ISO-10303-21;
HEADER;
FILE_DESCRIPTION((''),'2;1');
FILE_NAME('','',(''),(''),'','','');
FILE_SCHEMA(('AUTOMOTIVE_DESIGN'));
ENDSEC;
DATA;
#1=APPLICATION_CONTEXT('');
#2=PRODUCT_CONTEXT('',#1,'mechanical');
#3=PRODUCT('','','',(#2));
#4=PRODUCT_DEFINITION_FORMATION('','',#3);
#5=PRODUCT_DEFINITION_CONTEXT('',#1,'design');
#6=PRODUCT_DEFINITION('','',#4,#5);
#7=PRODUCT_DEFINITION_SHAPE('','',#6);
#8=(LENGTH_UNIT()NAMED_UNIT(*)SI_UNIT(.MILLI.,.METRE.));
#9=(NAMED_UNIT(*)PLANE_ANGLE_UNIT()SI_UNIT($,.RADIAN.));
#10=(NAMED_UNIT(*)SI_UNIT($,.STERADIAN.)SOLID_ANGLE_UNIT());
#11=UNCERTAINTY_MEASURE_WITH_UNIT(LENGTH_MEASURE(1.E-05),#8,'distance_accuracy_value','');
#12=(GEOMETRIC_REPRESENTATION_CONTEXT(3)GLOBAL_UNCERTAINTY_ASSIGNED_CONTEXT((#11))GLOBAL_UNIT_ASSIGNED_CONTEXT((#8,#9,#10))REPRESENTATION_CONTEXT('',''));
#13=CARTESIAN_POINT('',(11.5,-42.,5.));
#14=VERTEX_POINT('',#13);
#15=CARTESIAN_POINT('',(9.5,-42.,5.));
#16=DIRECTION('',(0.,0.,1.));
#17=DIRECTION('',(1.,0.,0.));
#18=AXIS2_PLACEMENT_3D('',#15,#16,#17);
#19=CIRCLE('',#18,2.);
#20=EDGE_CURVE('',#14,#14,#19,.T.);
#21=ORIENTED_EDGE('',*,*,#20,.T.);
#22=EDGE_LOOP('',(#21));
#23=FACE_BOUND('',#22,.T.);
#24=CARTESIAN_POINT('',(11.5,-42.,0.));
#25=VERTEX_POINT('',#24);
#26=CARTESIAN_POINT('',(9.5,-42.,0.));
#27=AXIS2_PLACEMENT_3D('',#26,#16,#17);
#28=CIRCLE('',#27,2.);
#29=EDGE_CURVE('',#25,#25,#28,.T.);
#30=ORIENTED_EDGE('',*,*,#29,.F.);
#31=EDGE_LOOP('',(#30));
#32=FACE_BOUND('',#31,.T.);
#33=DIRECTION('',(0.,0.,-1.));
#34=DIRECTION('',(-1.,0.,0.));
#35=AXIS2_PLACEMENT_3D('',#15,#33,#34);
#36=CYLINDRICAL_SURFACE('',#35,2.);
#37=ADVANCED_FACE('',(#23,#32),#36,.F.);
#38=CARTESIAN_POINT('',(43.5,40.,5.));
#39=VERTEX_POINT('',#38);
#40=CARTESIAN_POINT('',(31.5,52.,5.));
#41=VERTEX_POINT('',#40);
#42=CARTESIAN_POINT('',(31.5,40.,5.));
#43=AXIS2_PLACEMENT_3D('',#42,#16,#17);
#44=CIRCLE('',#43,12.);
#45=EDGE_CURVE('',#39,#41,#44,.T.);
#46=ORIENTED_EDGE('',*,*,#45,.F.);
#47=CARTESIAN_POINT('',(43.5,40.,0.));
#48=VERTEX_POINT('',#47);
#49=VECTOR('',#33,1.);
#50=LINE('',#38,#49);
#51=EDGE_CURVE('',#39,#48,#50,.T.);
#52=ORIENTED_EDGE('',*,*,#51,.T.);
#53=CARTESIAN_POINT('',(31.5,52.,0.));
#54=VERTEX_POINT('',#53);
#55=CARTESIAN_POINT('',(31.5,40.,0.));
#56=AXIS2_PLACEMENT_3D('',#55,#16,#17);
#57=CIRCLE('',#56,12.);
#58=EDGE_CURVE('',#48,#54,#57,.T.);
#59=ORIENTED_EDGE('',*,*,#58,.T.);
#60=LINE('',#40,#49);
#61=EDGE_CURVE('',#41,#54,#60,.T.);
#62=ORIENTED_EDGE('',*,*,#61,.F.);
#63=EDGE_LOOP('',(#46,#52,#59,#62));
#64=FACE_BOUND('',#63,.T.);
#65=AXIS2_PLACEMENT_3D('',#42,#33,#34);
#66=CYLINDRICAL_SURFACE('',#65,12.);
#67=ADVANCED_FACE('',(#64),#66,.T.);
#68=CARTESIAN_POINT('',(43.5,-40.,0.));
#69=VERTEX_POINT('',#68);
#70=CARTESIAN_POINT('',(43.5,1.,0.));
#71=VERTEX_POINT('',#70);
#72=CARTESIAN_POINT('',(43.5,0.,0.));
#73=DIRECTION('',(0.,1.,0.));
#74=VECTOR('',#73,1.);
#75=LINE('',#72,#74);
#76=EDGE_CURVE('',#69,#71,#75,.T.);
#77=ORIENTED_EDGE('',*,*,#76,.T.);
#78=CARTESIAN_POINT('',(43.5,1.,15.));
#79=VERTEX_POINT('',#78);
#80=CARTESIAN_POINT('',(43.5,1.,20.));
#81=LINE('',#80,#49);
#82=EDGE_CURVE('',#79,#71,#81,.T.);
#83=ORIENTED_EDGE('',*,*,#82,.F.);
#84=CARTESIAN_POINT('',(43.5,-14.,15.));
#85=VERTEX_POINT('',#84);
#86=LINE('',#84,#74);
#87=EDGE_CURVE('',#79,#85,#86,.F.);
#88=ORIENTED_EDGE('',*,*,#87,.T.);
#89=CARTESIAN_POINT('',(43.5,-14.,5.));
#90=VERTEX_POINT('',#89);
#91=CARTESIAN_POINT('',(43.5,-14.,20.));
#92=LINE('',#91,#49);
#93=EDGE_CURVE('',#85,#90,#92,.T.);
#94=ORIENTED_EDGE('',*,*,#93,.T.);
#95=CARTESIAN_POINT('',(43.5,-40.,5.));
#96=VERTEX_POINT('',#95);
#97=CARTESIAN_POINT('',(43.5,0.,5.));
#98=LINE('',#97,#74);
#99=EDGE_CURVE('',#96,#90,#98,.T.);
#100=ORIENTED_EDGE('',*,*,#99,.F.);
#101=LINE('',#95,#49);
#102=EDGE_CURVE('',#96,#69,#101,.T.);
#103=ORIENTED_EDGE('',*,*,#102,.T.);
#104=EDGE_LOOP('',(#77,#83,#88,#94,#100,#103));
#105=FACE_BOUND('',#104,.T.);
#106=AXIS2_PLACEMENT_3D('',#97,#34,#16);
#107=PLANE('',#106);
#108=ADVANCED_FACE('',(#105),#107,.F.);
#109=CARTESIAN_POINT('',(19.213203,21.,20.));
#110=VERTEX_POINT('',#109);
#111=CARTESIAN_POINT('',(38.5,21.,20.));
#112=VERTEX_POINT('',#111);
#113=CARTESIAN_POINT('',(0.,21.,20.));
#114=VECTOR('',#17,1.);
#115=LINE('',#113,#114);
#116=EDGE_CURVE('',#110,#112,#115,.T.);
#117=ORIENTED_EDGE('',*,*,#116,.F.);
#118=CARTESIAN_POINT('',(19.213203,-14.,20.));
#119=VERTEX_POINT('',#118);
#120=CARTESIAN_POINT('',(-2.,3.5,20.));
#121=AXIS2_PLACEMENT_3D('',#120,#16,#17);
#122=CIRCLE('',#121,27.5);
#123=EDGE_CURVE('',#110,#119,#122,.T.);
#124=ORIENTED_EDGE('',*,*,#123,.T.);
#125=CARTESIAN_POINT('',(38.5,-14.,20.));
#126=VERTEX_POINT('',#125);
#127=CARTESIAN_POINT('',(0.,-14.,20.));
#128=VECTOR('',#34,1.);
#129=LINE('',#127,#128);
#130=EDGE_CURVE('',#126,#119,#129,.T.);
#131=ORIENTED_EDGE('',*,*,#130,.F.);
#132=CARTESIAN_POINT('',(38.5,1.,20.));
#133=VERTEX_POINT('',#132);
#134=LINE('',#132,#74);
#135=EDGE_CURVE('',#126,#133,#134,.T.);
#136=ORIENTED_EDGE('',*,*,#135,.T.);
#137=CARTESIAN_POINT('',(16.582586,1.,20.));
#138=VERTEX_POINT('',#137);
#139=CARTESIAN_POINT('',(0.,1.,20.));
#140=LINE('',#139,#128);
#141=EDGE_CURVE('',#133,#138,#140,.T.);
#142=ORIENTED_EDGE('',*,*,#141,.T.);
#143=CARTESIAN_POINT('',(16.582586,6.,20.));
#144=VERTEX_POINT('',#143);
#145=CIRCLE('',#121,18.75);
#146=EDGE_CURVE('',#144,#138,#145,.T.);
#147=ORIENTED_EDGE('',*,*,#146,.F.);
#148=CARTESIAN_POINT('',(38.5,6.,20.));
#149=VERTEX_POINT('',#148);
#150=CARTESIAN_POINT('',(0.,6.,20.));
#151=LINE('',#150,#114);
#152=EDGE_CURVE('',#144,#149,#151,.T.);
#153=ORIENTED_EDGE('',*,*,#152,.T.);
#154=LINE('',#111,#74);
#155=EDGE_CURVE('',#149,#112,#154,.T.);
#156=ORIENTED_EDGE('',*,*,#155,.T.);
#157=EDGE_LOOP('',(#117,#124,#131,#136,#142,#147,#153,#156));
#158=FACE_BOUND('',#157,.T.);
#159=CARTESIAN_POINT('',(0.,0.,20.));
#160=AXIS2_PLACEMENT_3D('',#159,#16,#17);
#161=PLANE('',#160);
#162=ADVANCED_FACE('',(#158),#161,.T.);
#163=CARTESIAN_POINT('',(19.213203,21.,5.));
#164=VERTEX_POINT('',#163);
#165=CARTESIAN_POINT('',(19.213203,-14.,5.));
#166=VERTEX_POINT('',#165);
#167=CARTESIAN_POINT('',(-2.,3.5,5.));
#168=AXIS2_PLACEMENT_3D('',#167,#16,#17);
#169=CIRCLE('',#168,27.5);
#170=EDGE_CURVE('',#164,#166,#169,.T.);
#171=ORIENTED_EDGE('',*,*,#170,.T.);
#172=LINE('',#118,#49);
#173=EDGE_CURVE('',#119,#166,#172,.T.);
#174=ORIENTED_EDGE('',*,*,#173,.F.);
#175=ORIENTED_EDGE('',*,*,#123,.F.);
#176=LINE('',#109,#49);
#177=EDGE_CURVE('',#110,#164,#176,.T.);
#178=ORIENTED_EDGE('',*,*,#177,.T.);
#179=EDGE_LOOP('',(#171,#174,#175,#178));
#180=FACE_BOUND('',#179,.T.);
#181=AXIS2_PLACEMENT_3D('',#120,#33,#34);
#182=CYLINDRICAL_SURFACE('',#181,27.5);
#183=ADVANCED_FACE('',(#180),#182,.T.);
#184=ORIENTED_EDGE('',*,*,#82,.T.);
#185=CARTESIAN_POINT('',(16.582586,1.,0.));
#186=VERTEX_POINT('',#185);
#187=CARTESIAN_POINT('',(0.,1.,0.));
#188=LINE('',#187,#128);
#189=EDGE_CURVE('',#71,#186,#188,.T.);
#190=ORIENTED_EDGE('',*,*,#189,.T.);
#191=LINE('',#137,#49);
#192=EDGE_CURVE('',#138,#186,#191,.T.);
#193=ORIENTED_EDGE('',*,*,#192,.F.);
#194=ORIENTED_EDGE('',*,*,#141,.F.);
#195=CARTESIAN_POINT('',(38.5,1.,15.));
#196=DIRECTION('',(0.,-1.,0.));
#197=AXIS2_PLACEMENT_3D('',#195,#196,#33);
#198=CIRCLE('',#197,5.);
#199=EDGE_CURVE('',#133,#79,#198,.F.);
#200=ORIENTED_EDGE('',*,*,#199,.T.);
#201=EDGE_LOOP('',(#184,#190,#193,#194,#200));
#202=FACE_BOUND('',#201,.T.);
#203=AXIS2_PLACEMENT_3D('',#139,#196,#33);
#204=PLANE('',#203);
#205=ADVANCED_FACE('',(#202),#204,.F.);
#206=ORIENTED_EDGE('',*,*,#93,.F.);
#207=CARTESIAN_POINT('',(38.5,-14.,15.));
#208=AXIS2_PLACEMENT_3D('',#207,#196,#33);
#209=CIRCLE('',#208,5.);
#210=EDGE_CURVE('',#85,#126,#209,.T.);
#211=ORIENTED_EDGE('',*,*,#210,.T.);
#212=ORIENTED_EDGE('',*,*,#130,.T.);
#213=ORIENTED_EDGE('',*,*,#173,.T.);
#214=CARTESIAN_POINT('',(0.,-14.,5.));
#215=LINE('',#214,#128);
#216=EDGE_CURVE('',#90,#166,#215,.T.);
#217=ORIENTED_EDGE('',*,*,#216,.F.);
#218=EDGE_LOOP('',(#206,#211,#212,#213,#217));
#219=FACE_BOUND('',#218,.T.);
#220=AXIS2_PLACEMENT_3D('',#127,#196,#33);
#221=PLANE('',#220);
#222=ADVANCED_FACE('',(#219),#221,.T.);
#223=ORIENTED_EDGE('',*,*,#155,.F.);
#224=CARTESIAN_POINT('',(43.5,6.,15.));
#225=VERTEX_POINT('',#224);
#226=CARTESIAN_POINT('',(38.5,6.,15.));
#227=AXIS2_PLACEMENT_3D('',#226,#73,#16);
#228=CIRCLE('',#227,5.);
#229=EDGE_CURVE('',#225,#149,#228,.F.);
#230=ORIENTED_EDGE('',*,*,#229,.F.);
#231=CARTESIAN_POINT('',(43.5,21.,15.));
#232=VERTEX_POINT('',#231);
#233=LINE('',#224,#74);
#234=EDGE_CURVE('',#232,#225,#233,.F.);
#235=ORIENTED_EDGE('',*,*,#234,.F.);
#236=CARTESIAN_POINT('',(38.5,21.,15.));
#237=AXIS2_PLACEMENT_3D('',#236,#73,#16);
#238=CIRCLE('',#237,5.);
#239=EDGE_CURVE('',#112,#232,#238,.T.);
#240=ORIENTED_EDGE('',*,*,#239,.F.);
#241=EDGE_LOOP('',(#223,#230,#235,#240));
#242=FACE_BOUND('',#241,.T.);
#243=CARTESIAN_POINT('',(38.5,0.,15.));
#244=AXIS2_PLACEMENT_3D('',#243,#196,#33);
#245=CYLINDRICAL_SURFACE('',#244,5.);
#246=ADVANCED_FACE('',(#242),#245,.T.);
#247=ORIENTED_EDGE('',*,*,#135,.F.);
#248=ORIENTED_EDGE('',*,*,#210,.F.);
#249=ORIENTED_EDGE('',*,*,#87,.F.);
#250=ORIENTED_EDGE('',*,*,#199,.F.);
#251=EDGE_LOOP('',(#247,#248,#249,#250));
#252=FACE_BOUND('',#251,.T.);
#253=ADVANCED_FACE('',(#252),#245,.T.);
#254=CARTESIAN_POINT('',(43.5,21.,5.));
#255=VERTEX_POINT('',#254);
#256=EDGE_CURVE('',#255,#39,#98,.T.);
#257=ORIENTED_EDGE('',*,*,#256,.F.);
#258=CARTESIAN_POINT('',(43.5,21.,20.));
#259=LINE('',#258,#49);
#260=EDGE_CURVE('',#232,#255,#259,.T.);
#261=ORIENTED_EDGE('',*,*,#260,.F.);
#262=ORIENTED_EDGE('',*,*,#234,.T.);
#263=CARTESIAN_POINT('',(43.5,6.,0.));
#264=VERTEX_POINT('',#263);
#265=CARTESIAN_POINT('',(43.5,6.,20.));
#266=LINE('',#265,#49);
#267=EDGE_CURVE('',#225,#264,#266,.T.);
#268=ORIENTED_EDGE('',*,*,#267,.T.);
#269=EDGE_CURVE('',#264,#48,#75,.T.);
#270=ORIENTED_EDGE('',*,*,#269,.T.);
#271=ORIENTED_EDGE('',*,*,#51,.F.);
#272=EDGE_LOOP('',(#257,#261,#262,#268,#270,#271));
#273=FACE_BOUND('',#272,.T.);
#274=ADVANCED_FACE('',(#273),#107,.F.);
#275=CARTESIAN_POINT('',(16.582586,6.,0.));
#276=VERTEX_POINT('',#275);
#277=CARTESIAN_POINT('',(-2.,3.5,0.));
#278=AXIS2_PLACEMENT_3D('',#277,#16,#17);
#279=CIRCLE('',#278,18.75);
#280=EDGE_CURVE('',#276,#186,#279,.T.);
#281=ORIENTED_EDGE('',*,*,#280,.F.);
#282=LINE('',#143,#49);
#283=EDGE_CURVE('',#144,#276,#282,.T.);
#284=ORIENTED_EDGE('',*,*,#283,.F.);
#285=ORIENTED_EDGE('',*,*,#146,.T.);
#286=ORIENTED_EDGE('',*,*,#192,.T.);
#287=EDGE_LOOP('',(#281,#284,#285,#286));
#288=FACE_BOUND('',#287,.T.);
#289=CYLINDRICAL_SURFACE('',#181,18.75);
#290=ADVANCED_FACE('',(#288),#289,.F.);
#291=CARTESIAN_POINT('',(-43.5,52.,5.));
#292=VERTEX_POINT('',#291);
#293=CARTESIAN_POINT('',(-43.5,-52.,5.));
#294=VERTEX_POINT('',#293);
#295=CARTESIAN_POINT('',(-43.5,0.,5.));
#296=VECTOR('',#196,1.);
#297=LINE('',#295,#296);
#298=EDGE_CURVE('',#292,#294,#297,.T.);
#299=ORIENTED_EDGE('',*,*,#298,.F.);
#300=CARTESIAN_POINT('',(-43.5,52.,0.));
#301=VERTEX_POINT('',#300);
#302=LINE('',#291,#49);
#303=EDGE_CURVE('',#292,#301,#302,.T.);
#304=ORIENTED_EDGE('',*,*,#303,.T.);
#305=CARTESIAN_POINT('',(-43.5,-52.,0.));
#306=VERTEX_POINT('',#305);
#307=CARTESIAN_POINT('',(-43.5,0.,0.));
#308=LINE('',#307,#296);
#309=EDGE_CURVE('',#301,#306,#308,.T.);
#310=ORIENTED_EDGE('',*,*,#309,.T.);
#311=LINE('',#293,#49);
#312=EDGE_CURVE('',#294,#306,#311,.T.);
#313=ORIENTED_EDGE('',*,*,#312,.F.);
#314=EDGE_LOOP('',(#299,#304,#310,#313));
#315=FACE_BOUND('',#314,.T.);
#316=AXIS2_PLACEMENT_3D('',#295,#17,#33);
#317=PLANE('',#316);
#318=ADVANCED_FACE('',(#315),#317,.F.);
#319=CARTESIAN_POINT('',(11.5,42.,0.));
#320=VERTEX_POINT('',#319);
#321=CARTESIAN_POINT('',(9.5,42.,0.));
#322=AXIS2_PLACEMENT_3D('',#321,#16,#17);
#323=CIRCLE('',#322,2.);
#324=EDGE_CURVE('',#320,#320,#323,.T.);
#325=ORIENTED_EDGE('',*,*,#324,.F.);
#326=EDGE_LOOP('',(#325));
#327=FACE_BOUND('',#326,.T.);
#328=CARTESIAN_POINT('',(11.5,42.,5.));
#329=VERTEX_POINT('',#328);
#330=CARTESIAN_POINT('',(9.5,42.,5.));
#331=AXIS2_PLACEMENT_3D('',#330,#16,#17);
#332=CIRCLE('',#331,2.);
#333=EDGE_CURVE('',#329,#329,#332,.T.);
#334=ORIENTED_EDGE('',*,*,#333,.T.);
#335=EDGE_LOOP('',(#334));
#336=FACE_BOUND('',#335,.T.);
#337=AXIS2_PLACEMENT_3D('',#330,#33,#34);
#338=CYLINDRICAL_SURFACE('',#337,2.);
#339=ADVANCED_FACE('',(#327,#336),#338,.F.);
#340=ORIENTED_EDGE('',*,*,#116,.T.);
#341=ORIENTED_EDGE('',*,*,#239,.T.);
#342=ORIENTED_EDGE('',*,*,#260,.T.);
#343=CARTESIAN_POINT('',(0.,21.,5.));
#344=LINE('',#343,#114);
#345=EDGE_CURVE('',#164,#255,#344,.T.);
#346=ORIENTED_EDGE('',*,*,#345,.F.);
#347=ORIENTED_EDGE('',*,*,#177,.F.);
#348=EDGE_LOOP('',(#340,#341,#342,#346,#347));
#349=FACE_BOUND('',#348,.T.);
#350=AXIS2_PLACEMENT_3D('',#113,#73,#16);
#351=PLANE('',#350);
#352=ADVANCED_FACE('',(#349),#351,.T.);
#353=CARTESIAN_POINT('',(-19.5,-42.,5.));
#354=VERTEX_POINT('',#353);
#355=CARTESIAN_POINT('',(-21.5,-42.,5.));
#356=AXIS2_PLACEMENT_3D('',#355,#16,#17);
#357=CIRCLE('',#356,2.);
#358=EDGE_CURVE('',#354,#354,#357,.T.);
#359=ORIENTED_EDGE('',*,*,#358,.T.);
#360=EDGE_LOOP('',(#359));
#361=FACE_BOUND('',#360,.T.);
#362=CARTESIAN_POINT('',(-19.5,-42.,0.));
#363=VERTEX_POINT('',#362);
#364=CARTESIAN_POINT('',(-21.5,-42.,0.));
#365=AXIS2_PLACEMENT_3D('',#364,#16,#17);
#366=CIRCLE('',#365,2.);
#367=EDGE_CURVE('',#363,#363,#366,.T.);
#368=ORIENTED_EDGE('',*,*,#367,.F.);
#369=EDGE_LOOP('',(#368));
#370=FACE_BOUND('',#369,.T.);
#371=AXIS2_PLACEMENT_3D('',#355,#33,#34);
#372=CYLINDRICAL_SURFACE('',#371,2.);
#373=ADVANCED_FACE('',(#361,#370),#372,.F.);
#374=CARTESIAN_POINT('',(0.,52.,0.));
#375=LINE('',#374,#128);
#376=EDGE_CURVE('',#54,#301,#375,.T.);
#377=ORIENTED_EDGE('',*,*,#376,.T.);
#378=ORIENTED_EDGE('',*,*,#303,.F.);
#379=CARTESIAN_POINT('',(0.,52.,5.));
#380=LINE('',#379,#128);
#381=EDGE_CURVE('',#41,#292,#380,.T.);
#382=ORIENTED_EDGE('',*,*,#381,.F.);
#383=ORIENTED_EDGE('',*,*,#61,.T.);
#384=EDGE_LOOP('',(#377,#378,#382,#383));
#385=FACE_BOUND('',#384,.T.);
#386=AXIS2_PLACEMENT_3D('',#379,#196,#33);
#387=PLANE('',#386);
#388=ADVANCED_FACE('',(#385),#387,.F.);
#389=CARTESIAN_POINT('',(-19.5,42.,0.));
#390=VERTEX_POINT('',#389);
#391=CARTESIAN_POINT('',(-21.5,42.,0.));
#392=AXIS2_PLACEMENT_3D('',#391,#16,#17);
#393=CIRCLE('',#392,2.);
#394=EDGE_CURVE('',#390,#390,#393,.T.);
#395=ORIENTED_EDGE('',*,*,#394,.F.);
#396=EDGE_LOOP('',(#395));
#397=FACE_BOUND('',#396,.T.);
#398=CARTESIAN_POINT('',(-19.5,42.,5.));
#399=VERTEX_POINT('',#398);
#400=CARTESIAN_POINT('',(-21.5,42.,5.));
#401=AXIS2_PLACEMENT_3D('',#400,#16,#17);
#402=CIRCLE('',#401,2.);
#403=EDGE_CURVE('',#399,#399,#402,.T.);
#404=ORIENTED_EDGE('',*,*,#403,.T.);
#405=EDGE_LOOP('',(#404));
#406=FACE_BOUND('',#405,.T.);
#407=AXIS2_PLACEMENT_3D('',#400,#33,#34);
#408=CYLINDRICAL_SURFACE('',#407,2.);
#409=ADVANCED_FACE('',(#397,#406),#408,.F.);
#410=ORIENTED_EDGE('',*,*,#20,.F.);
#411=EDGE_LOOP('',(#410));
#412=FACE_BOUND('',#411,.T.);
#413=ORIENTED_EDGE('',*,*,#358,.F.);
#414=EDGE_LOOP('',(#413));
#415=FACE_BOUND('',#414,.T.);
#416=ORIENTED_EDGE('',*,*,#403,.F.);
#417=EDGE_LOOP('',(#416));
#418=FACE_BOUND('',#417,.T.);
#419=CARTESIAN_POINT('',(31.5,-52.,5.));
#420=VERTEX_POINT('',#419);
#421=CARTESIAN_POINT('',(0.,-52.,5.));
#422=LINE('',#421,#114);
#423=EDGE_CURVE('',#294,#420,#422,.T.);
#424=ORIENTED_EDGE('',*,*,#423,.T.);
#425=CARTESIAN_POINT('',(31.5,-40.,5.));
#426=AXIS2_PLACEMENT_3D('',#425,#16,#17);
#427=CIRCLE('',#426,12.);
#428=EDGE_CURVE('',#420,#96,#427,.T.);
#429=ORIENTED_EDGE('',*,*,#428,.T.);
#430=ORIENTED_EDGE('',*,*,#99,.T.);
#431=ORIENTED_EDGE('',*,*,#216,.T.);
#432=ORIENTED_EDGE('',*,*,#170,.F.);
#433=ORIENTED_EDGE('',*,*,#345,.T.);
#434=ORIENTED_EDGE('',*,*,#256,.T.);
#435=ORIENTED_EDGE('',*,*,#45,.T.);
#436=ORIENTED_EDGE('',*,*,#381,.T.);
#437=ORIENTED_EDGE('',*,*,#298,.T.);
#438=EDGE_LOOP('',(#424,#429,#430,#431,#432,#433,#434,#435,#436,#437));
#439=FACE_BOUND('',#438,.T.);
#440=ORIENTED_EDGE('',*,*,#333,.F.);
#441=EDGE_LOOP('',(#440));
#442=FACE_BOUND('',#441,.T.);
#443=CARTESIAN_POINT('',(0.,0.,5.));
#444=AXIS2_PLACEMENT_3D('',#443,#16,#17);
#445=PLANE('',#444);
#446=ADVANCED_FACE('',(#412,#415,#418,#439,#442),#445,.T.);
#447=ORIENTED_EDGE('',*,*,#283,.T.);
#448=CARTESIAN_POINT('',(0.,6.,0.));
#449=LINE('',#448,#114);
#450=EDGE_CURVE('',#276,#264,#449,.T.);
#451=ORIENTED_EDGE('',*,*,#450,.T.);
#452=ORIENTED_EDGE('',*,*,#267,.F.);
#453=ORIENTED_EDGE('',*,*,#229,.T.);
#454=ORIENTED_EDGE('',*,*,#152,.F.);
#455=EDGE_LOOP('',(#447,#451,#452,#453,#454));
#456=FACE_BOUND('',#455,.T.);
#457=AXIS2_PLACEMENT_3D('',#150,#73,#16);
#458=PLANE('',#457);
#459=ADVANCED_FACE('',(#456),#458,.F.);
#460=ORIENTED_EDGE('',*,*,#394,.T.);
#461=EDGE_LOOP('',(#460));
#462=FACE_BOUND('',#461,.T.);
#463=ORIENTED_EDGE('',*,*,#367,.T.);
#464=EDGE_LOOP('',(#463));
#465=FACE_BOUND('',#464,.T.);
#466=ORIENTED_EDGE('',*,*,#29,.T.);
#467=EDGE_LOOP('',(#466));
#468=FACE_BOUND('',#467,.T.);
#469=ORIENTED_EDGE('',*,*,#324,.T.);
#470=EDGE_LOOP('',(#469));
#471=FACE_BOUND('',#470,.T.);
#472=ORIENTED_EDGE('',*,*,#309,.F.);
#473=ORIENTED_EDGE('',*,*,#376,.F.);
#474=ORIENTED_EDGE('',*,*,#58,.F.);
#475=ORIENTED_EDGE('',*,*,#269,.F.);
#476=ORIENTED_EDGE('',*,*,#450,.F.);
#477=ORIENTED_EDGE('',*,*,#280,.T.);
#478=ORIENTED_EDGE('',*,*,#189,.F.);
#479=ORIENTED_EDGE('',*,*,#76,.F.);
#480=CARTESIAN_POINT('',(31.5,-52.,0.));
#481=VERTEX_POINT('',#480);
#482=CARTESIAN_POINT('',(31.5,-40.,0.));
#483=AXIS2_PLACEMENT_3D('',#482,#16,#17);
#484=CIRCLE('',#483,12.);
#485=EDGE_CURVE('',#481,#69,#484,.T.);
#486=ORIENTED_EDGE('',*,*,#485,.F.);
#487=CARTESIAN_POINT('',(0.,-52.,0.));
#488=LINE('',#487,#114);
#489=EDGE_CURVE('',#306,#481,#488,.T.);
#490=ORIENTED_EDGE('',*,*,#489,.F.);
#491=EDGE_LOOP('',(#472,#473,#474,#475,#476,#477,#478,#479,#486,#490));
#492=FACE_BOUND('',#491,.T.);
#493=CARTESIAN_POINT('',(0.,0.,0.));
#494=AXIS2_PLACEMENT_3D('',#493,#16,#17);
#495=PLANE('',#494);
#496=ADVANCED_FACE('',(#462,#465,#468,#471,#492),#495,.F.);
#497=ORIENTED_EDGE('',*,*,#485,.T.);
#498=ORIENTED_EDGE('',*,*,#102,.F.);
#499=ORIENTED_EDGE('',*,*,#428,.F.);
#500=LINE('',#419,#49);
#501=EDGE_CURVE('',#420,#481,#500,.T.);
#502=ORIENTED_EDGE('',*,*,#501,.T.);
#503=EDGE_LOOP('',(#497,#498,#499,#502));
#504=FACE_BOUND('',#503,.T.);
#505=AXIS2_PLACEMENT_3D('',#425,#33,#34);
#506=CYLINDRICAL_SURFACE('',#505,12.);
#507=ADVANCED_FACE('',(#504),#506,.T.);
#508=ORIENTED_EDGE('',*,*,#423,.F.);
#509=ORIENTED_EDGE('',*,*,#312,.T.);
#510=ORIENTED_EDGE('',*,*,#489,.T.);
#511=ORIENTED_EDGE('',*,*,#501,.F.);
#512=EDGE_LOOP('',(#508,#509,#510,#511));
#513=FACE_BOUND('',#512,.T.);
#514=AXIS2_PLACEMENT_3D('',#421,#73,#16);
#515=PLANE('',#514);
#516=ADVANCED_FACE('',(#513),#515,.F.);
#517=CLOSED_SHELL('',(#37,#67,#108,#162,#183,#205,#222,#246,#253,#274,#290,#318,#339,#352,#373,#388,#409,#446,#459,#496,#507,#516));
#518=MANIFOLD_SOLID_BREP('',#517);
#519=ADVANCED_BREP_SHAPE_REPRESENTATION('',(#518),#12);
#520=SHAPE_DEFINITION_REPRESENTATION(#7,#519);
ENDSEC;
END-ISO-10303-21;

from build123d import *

# Parameters (mm, degrees)
SKETCH1_R           = 2
BOSS_EXTRUDE1_DEPTH = 5
BOSS_EXTRUDE2_DEPTH = 20
FILLET1_R           = 5


with BuildPart() as part:
    # Sketch1 → Boss-Extrude1 (new body)
    with BuildSketch(Plane.XY):
        with BuildLine():
            ThreePointArc((43.5, 40), (39.985281374, 48.485281374), (31.5, 52))
            Line((31.5, 52), (-43.5, 52))
            Line((-43.5, 52), (-43.5, -52))
            Line((-43.5, -52), (31.5, -52))
            ThreePointArc((31.5, -52), (39.985281374, -48.485281374), (43.5, -40))
            Line((43.5, -40), (43.5, -14.000000209))
            Line((43.5, -14.000000209), (39.5, -14.000000209))
            Line((39.5, -14.000000209), (19.213203263, -14.000000209))
            ThreePointArc((19.213203263, -14.000000209), (-29.5, 3.499999932), (19.213203177, 21.000000313))
            Line((19.213203177, 21.000000313), (39.5, 21.000000313))
            Line((39.5, 21.000000313), (43.5, 21.000000313))
            Line((43.5, 21.000000313), (43.5, 40))
        make_face()
        with Locations((-21.5, -42)):
            Circle(SKETCH1_R, mode=Mode.SUBTRACT)
        with Locations((9.5, -42)):
            Circle(SKETCH1_R, mode=Mode.SUBTRACT)
        with Locations((-21.5, 42)):
            Circle(SKETCH1_R, mode=Mode.SUBTRACT)
        with Locations((9.5, 42)):
            Circle(SKETCH1_R, mode=Mode.SUBTRACT)
    extrude(amount=BOSS_EXTRUDE1_DEPTH)

    # Sketch1<3> → Boss-Extrude2 (add)
    with BuildSketch(Plane.XY):
        with BuildLine():
            Line((43.5, 6), (43.5, 21.000000313))
            Line((43.5, 21.000000313), (39.5, 21.000000313))
            Line((39.5, 21.000000313), (19.213203177, 21.000000313))
            ThreePointArc((19.213203177, 21.000000313), (-29.5, 3.499999932), (19.213203263, -14.000000209))
            Line((19.213203263, -14.000000209), (39.5, -14.000000209))
            Line((39.5, -14.000000209), (43.5, -14.000000209))
            Line((43.5, -14.000000209), (43.5, 1))
            Line((43.5, 1), (39.5, 1))
            Line((39.5, 1), (16.582585934, 1))
            ThreePointArc((16.582585934, 1), (-20.75, 3.5), (16.582585934, 6))
            Line((16.582585934, 6), (39.5, 6))
            Line((39.5, 6), (43.5, 6))
        make_face()
    extrude(amount=BOSS_EXTRUDE2_DEPTH)

    # Fillet1
    fillet1_edges = [part.edges().sort_by_distance(p)[0] for p in [
        (43.5, -6.500000104, 20),
        (43.5, 13.500000156, 20),
    ]]
    fillet(fillet1_edges, radius=FILLET1_R)


solid = part.part
